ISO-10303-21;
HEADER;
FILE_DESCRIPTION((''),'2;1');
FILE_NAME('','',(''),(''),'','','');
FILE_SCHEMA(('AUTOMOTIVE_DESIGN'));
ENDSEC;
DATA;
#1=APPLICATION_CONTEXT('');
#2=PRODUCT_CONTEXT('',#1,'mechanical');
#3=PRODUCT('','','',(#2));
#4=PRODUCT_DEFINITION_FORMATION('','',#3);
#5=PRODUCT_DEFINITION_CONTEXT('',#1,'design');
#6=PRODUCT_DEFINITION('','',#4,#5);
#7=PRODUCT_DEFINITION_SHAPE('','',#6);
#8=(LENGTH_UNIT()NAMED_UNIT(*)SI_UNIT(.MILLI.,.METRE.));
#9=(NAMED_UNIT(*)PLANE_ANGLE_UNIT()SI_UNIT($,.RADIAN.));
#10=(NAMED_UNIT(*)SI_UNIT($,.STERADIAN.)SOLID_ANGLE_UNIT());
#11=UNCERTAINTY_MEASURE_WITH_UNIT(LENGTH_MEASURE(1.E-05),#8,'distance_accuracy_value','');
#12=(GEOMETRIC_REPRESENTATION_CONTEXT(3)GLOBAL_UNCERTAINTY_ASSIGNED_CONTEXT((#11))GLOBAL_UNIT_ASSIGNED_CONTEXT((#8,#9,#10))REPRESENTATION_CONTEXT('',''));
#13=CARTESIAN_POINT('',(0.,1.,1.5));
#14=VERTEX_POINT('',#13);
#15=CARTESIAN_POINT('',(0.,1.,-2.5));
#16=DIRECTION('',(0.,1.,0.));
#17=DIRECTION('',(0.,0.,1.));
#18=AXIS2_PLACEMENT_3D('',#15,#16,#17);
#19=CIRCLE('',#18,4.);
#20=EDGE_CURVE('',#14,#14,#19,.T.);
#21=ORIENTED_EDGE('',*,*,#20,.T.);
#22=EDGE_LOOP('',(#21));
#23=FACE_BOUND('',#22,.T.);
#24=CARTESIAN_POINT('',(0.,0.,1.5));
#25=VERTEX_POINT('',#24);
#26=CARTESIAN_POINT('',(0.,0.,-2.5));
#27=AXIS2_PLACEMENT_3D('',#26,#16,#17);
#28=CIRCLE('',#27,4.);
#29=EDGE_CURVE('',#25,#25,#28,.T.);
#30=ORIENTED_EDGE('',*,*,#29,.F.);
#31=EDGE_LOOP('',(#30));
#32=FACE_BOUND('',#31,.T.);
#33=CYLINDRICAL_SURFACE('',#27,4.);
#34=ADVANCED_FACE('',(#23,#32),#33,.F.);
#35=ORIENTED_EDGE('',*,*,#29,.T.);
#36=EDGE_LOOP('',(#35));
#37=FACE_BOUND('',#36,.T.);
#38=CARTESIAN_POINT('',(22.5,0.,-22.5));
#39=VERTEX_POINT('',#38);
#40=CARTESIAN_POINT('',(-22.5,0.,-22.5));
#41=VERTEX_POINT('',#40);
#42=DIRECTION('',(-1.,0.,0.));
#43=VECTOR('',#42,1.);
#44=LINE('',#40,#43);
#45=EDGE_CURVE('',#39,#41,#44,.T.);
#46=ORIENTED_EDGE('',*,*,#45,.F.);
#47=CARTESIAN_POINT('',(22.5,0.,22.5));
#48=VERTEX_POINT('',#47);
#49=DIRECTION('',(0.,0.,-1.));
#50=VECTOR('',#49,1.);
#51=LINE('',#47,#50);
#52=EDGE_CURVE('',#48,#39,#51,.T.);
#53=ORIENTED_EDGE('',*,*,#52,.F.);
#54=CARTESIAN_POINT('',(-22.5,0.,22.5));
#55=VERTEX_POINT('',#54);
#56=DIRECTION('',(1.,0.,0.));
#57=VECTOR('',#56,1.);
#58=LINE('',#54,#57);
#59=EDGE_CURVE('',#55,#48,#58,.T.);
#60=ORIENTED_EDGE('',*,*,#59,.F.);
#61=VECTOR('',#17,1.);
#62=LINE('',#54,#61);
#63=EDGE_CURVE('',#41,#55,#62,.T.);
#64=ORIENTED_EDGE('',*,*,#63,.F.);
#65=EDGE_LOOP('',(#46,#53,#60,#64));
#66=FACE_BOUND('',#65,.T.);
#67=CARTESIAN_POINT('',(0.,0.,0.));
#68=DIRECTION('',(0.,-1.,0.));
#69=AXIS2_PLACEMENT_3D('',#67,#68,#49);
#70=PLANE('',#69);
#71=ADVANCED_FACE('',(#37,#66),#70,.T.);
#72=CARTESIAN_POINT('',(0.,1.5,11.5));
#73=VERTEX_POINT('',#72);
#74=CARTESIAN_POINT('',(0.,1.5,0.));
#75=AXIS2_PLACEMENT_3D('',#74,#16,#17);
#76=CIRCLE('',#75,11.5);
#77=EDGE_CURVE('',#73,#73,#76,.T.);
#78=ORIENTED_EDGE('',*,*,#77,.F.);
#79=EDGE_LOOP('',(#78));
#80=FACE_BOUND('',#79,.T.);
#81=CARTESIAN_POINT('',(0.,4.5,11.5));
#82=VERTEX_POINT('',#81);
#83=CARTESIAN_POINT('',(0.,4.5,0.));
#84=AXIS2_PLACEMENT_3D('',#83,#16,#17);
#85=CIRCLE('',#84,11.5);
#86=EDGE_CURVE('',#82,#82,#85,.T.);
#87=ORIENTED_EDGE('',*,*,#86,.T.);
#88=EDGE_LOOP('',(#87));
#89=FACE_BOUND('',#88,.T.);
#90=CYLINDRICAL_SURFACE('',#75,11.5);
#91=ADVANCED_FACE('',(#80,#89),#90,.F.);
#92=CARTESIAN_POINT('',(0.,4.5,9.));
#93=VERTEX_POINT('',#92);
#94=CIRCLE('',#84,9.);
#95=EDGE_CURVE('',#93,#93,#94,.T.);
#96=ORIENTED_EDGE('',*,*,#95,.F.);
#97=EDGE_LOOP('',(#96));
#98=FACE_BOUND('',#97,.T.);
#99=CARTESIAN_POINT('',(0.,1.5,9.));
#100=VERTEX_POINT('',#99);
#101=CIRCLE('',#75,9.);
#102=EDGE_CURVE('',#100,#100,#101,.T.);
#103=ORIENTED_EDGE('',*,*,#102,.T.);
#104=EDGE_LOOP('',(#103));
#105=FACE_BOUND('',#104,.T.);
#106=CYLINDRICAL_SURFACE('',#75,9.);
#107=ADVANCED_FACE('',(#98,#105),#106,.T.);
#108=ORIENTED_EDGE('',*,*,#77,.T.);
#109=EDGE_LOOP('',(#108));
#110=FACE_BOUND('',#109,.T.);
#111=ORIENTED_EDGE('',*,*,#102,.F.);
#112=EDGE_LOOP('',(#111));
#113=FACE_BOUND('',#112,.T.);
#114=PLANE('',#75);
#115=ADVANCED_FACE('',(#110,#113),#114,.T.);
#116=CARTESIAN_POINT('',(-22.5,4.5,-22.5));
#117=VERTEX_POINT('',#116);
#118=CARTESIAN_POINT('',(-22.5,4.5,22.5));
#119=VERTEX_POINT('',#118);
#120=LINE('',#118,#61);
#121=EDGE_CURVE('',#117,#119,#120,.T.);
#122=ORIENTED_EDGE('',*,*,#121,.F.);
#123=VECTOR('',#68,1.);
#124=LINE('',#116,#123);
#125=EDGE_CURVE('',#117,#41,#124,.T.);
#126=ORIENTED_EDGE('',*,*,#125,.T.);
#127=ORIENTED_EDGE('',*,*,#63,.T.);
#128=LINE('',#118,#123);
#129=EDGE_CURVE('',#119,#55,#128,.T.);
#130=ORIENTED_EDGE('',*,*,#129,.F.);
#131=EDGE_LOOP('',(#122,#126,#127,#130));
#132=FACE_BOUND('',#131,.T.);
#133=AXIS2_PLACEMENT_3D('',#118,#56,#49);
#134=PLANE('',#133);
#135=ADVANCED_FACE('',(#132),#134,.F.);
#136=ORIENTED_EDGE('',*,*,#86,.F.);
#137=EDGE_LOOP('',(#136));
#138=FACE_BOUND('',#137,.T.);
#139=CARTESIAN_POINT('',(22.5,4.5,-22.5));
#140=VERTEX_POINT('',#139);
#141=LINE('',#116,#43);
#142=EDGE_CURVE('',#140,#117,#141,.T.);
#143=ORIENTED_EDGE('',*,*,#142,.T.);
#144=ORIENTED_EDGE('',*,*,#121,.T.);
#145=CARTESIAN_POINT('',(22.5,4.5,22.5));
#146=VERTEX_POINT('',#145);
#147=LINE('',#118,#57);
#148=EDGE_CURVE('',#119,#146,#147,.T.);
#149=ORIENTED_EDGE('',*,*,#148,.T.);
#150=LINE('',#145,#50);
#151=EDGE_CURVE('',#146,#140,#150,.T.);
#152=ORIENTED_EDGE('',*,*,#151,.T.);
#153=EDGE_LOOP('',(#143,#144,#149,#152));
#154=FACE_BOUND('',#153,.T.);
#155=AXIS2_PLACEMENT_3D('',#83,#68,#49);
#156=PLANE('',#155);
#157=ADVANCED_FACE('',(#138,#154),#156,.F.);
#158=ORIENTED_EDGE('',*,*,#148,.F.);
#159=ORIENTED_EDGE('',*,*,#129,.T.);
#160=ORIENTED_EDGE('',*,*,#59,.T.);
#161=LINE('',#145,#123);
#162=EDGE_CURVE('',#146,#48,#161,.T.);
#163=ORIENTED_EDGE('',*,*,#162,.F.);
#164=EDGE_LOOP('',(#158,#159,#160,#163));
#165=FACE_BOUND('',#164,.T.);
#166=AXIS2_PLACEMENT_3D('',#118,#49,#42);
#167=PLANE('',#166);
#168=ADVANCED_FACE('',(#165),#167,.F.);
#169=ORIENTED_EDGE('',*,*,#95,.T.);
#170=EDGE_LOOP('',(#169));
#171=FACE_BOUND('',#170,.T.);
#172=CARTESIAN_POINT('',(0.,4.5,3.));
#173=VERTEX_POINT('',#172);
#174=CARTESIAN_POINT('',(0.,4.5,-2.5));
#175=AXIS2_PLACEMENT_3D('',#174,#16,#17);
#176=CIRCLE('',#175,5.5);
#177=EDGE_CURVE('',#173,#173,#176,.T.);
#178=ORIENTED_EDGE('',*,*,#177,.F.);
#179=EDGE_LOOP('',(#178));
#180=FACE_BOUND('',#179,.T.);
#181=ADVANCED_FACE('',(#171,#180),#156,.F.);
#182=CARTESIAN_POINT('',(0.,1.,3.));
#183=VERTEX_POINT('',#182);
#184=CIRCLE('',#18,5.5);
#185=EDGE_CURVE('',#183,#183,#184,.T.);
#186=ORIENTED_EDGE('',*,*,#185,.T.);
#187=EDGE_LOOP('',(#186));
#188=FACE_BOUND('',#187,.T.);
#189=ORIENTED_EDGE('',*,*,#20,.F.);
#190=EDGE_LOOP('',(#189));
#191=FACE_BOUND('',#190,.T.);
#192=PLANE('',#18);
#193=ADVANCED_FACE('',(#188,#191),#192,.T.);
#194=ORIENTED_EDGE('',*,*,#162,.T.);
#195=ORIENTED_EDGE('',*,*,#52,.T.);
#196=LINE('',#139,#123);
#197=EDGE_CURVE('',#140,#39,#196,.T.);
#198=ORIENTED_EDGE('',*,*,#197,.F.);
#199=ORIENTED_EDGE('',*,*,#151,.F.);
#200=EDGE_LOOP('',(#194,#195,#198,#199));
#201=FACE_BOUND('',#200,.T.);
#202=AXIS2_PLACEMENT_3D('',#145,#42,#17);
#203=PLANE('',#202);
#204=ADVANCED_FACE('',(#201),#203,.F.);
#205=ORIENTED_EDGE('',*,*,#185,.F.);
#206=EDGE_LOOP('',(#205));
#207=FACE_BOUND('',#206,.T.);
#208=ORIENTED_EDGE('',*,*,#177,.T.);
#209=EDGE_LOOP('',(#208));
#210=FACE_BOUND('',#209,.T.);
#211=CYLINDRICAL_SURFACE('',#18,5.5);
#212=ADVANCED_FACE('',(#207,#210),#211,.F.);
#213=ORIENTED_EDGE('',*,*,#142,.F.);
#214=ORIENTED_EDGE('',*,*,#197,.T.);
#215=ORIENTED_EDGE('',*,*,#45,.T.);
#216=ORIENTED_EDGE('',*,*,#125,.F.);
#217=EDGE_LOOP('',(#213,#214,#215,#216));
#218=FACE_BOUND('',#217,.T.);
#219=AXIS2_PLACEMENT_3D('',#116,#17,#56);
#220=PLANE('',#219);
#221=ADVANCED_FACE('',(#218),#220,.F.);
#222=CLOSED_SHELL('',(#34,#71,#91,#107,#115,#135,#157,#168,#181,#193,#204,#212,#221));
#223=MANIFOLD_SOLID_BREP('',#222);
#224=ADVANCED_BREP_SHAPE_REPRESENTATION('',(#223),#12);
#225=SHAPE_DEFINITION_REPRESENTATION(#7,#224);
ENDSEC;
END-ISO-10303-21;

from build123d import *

# Parameters (mm, degrees)
SKETCH_1_W          = 45
SKETCH_1_H          = 45
EXTRUDE_1_DEPTH     = 4.5
SKETCH_2_R          = 5.5
CUT_EXTRUDE_1_DEPTH = 3.5
SKETCH_3_R          = 4
CUT_EXTRUDE_2_DEPTH = 33.011716605
SKETCH_4_R          = 11.5
SKETCH_4_R_2        = 9
CUT_EXTRUDE_3_DEPTH = 3


with BuildPart() as part:
    # 草图1 → 凸台-拉伸1 (new body)
    with BuildSketch(Plane(origin=(0, 0, 0), x_dir=(1, 0, 0), z_dir=(0, 1, 0))):
        Rectangle(SKETCH_1_W, SKETCH_1_H)
    extrude(amount=EXTRUDE_1_DEPTH)

    # 草图2 → 切除-拉伸1 (cut)
    with BuildSketch(Plane(origin=(0, 4.5, 0), x_dir=(1, 0, 0), z_dir=(0, 1, 0))):
        with Locations(Location((0, 2.5, 0), (0, 0, 270))):
            Circle(SKETCH_2_R)
    extrude(amount=-CUT_EXTRUDE_1_DEPTH, mode=Mode.SUBTRACT)

    # 草图3 → 切除-拉伸2 (cut, through all)
    with BuildSketch(Plane(origin=(0, 1, 0), x_dir=(1, 0, 0), z_dir=(0, 1, 0))):
        with Locations(Location((0, 2.5, 0), (0, 0, 270))):
            Circle(SKETCH_3_R)
    extrude(amount=-CUT_EXTRUDE_2_DEPTH, mode=Mode.SUBTRACT)

    # 草图4 → 切除-拉伸3 (cut)
    with BuildSketch(Plane(origin=(0, 4.5, 0), x_dir=(1, 0, 0), z_dir=(0, 1, 0))):
        with Locations(Location((0, 0, 0), (0, 0, 270))):
            Circle(SKETCH_4_R)
        with Locations(Location((0, 0, 0), (0, 0, 270))):
            Circle(SKETCH_4_R_2, mode=Mode.SUBTRACT)
    extrude(amount=-CUT_EXTRUDE_3_DEPTH, mode=Mode.SUBTRACT)


solid = part.part
